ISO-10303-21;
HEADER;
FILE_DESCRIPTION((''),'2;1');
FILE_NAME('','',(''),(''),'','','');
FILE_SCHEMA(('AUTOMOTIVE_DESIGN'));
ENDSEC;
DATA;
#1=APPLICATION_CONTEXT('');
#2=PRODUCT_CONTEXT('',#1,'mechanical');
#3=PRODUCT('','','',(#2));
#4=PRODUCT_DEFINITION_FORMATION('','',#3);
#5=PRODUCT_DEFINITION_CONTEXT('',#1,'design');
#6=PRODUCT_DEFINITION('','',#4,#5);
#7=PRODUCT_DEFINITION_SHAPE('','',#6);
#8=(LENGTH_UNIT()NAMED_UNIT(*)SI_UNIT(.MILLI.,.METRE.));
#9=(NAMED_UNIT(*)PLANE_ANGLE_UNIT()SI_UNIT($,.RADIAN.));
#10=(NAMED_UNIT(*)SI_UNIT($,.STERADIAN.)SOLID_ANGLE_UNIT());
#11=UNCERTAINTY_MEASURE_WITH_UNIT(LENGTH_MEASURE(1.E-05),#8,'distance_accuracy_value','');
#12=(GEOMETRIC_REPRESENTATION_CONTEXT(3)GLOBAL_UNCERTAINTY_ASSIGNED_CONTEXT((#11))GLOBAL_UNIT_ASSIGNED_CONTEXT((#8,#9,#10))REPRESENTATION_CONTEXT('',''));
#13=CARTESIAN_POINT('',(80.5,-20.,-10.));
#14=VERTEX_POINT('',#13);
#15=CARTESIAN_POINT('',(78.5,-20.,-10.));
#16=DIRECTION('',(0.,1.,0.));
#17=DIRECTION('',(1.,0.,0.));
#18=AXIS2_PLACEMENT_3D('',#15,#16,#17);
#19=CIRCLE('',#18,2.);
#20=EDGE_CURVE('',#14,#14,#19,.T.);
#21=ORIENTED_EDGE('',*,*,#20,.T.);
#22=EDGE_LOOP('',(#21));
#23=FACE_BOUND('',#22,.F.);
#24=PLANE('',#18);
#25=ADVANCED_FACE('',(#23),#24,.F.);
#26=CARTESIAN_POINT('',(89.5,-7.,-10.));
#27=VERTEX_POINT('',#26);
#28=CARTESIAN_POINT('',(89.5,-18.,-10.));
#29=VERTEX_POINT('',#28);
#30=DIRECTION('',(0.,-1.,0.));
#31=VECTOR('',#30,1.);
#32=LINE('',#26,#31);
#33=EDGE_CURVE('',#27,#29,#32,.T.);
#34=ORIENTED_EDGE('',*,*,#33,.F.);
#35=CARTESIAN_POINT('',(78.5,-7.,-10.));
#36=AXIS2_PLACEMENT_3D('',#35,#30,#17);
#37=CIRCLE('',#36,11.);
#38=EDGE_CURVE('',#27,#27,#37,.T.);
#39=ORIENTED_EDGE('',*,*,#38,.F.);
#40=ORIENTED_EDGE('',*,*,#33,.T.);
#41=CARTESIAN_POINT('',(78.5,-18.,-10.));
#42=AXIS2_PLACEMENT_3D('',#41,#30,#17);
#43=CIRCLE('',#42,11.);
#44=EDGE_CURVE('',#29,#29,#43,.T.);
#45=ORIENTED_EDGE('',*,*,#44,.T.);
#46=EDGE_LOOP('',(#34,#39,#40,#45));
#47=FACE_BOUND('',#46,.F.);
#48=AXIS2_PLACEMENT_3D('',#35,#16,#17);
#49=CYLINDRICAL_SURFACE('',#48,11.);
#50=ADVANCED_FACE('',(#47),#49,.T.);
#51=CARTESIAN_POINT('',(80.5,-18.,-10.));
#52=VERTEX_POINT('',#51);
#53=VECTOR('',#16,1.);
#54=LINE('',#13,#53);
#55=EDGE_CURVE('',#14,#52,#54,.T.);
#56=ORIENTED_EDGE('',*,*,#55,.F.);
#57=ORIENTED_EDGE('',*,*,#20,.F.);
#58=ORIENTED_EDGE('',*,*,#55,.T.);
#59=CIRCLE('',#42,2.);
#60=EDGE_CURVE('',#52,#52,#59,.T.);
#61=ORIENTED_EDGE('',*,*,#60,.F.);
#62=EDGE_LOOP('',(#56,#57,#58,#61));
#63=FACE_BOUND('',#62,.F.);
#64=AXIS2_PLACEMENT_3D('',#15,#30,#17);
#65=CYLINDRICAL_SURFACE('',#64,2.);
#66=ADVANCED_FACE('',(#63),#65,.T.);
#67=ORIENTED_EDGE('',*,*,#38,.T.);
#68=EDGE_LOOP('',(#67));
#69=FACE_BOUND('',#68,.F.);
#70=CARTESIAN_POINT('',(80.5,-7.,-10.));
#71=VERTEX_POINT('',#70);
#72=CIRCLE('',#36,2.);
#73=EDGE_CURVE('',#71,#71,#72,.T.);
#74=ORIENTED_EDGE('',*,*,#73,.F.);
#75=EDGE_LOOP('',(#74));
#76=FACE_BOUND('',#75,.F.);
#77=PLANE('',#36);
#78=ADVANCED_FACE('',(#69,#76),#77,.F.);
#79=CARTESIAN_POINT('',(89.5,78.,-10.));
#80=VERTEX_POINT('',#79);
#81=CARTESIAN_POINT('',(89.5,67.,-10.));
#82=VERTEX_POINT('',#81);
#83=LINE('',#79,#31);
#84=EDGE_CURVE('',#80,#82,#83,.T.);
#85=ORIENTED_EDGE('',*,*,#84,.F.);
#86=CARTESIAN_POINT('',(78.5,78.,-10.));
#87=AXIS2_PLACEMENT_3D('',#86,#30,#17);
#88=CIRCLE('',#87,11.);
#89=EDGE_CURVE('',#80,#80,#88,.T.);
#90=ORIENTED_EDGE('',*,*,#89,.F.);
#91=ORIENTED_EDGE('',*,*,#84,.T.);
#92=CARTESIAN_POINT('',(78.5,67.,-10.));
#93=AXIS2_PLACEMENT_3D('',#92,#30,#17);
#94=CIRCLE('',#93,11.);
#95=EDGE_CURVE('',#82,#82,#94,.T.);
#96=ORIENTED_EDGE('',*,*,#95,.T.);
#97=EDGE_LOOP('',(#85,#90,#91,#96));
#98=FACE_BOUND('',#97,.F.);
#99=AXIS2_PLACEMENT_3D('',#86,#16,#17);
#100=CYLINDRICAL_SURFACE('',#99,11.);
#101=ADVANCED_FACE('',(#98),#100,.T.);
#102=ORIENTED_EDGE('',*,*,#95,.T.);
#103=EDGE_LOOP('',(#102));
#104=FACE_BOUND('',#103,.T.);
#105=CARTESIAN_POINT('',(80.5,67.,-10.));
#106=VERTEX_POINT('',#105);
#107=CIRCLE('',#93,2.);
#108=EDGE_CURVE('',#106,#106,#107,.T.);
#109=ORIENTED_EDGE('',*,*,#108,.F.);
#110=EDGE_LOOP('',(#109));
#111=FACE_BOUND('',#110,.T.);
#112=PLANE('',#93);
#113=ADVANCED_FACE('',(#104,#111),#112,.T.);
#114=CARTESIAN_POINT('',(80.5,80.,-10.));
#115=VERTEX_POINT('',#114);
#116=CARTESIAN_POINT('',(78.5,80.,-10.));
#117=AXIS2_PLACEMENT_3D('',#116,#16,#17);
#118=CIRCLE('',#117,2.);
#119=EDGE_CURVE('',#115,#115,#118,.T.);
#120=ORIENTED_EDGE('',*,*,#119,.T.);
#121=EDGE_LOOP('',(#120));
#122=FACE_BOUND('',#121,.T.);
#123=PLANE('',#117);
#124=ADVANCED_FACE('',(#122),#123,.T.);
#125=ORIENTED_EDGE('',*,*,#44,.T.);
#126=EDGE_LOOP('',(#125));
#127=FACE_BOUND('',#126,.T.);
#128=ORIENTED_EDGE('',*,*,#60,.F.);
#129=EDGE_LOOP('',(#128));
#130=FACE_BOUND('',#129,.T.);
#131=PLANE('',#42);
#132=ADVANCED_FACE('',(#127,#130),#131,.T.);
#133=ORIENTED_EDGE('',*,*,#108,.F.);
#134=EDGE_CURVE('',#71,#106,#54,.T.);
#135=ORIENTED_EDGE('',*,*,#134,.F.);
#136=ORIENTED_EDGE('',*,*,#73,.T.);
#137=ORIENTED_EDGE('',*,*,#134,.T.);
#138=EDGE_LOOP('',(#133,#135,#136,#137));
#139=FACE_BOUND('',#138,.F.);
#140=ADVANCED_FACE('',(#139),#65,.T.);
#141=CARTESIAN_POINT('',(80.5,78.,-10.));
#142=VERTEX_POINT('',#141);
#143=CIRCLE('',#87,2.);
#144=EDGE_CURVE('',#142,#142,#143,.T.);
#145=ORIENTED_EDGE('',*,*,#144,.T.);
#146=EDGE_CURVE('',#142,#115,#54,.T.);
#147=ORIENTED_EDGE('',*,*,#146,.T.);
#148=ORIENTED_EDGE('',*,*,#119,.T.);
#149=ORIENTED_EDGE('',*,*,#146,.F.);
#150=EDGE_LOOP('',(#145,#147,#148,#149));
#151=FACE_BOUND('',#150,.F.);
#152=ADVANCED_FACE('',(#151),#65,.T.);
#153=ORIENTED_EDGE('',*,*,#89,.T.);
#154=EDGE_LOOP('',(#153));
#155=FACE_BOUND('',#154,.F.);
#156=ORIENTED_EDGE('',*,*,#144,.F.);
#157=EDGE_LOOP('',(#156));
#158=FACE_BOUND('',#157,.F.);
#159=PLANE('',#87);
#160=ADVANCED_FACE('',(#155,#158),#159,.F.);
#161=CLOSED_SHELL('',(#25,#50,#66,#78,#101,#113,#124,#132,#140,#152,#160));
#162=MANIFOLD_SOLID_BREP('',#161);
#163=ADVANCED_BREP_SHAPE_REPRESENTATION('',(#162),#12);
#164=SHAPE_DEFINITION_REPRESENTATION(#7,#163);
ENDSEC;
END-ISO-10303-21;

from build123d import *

# Parameters (mm, degrees)
CYLINDER002001001002_R             = 11
CYLINDER002001001002_DEPTH         = 11
CYLINDER002001001002_ROLL_ANGLE    = 90
CYLINDER002001001002001_R          = 11
CYLINDER002001001002001_DEPTH      = 11
CYLINDER002001001002001_ROLL_ANGLE = 90
CYLINDER002001002001_R             = 2
CYLINDER002001002001_DEPTH         = 100
CYLINDER002001002001_ROLL_ANGLE    = -90


with BuildPart() as wheel006:
    # Cylinder002001001002 → Cylinder002001001002 (new body)
    with BuildSketch(Plane.XY):
        Circle(CYLINDER002001001002_R)
    extrude(amount=CYLINDER002001001002_DEPTH)


with BuildPart() as wheel006_1:
    # Cylinder002001001002 roll: moved
    add(wheel006.part.rotate(Axis((0, 0, 0), (1, 0, 0)), CYLINDER002001001002_ROLL_ANGLE))


with BuildPart() as wheel006_2:
    # Cylinder002001001002 placement: moved
    add(wheel006_1.part.moved(Location((20, 78, 14))))


with BuildPart() as wheel007:
    # Cylinder002001001002001 → Cylinder002001001002001 (new body)
    with BuildSketch(Plane.XY):
        Circle(CYLINDER002001001002001_R)
    extrude(amount=CYLINDER002001001002001_DEPTH)


with BuildPart() as wheel007_1:
    # Cylinder002001001002001 roll: moved
    add(wheel007.part.rotate(Axis((0, 0, 0), (1, 0, 0)), CYLINDER002001001002001_ROLL_ANGLE))


with BuildPart() as wheel007_2:
    # Cylinder002001001002001 placement: moved
    add(wheel007_1.part.moved(Location((20, -7, 14))))


with BuildPart() as swheelset2:
    # Cylinder002001002001 → Cylinder002001002001 (new body)
    with BuildSketch(Plane.XY):
        Circle(CYLINDER002001002001_R)
    extrude(amount=CYLINDER002001002001_DEPTH)


with BuildPart() as swheelset2_1:
    # Cylinder002001002001 roll: moved
    add(swheelset2.part.rotate(Axis((0, 0, 0), (1, 0, 0)), CYLINDER002001002001_ROLL_ANGLE))


with BuildPart() as swheelset2_2:
    # Cylinder002001002001 placement: moved
    add(swheelset2_1.part.moved(Location((20, -20, 14))))

    # Fusion002001002002002001: union Wheel006, Wheel007
    add(wheel006_2.part)
    add(wheel007_2.part)


with BuildPart() as swheelset2_3:
    # Fusion002001002002002001 placement: moved
    add(swheelset2_2.part.moved(Location((58.5, 0, -24))))


solid = swheelset2_3.part
